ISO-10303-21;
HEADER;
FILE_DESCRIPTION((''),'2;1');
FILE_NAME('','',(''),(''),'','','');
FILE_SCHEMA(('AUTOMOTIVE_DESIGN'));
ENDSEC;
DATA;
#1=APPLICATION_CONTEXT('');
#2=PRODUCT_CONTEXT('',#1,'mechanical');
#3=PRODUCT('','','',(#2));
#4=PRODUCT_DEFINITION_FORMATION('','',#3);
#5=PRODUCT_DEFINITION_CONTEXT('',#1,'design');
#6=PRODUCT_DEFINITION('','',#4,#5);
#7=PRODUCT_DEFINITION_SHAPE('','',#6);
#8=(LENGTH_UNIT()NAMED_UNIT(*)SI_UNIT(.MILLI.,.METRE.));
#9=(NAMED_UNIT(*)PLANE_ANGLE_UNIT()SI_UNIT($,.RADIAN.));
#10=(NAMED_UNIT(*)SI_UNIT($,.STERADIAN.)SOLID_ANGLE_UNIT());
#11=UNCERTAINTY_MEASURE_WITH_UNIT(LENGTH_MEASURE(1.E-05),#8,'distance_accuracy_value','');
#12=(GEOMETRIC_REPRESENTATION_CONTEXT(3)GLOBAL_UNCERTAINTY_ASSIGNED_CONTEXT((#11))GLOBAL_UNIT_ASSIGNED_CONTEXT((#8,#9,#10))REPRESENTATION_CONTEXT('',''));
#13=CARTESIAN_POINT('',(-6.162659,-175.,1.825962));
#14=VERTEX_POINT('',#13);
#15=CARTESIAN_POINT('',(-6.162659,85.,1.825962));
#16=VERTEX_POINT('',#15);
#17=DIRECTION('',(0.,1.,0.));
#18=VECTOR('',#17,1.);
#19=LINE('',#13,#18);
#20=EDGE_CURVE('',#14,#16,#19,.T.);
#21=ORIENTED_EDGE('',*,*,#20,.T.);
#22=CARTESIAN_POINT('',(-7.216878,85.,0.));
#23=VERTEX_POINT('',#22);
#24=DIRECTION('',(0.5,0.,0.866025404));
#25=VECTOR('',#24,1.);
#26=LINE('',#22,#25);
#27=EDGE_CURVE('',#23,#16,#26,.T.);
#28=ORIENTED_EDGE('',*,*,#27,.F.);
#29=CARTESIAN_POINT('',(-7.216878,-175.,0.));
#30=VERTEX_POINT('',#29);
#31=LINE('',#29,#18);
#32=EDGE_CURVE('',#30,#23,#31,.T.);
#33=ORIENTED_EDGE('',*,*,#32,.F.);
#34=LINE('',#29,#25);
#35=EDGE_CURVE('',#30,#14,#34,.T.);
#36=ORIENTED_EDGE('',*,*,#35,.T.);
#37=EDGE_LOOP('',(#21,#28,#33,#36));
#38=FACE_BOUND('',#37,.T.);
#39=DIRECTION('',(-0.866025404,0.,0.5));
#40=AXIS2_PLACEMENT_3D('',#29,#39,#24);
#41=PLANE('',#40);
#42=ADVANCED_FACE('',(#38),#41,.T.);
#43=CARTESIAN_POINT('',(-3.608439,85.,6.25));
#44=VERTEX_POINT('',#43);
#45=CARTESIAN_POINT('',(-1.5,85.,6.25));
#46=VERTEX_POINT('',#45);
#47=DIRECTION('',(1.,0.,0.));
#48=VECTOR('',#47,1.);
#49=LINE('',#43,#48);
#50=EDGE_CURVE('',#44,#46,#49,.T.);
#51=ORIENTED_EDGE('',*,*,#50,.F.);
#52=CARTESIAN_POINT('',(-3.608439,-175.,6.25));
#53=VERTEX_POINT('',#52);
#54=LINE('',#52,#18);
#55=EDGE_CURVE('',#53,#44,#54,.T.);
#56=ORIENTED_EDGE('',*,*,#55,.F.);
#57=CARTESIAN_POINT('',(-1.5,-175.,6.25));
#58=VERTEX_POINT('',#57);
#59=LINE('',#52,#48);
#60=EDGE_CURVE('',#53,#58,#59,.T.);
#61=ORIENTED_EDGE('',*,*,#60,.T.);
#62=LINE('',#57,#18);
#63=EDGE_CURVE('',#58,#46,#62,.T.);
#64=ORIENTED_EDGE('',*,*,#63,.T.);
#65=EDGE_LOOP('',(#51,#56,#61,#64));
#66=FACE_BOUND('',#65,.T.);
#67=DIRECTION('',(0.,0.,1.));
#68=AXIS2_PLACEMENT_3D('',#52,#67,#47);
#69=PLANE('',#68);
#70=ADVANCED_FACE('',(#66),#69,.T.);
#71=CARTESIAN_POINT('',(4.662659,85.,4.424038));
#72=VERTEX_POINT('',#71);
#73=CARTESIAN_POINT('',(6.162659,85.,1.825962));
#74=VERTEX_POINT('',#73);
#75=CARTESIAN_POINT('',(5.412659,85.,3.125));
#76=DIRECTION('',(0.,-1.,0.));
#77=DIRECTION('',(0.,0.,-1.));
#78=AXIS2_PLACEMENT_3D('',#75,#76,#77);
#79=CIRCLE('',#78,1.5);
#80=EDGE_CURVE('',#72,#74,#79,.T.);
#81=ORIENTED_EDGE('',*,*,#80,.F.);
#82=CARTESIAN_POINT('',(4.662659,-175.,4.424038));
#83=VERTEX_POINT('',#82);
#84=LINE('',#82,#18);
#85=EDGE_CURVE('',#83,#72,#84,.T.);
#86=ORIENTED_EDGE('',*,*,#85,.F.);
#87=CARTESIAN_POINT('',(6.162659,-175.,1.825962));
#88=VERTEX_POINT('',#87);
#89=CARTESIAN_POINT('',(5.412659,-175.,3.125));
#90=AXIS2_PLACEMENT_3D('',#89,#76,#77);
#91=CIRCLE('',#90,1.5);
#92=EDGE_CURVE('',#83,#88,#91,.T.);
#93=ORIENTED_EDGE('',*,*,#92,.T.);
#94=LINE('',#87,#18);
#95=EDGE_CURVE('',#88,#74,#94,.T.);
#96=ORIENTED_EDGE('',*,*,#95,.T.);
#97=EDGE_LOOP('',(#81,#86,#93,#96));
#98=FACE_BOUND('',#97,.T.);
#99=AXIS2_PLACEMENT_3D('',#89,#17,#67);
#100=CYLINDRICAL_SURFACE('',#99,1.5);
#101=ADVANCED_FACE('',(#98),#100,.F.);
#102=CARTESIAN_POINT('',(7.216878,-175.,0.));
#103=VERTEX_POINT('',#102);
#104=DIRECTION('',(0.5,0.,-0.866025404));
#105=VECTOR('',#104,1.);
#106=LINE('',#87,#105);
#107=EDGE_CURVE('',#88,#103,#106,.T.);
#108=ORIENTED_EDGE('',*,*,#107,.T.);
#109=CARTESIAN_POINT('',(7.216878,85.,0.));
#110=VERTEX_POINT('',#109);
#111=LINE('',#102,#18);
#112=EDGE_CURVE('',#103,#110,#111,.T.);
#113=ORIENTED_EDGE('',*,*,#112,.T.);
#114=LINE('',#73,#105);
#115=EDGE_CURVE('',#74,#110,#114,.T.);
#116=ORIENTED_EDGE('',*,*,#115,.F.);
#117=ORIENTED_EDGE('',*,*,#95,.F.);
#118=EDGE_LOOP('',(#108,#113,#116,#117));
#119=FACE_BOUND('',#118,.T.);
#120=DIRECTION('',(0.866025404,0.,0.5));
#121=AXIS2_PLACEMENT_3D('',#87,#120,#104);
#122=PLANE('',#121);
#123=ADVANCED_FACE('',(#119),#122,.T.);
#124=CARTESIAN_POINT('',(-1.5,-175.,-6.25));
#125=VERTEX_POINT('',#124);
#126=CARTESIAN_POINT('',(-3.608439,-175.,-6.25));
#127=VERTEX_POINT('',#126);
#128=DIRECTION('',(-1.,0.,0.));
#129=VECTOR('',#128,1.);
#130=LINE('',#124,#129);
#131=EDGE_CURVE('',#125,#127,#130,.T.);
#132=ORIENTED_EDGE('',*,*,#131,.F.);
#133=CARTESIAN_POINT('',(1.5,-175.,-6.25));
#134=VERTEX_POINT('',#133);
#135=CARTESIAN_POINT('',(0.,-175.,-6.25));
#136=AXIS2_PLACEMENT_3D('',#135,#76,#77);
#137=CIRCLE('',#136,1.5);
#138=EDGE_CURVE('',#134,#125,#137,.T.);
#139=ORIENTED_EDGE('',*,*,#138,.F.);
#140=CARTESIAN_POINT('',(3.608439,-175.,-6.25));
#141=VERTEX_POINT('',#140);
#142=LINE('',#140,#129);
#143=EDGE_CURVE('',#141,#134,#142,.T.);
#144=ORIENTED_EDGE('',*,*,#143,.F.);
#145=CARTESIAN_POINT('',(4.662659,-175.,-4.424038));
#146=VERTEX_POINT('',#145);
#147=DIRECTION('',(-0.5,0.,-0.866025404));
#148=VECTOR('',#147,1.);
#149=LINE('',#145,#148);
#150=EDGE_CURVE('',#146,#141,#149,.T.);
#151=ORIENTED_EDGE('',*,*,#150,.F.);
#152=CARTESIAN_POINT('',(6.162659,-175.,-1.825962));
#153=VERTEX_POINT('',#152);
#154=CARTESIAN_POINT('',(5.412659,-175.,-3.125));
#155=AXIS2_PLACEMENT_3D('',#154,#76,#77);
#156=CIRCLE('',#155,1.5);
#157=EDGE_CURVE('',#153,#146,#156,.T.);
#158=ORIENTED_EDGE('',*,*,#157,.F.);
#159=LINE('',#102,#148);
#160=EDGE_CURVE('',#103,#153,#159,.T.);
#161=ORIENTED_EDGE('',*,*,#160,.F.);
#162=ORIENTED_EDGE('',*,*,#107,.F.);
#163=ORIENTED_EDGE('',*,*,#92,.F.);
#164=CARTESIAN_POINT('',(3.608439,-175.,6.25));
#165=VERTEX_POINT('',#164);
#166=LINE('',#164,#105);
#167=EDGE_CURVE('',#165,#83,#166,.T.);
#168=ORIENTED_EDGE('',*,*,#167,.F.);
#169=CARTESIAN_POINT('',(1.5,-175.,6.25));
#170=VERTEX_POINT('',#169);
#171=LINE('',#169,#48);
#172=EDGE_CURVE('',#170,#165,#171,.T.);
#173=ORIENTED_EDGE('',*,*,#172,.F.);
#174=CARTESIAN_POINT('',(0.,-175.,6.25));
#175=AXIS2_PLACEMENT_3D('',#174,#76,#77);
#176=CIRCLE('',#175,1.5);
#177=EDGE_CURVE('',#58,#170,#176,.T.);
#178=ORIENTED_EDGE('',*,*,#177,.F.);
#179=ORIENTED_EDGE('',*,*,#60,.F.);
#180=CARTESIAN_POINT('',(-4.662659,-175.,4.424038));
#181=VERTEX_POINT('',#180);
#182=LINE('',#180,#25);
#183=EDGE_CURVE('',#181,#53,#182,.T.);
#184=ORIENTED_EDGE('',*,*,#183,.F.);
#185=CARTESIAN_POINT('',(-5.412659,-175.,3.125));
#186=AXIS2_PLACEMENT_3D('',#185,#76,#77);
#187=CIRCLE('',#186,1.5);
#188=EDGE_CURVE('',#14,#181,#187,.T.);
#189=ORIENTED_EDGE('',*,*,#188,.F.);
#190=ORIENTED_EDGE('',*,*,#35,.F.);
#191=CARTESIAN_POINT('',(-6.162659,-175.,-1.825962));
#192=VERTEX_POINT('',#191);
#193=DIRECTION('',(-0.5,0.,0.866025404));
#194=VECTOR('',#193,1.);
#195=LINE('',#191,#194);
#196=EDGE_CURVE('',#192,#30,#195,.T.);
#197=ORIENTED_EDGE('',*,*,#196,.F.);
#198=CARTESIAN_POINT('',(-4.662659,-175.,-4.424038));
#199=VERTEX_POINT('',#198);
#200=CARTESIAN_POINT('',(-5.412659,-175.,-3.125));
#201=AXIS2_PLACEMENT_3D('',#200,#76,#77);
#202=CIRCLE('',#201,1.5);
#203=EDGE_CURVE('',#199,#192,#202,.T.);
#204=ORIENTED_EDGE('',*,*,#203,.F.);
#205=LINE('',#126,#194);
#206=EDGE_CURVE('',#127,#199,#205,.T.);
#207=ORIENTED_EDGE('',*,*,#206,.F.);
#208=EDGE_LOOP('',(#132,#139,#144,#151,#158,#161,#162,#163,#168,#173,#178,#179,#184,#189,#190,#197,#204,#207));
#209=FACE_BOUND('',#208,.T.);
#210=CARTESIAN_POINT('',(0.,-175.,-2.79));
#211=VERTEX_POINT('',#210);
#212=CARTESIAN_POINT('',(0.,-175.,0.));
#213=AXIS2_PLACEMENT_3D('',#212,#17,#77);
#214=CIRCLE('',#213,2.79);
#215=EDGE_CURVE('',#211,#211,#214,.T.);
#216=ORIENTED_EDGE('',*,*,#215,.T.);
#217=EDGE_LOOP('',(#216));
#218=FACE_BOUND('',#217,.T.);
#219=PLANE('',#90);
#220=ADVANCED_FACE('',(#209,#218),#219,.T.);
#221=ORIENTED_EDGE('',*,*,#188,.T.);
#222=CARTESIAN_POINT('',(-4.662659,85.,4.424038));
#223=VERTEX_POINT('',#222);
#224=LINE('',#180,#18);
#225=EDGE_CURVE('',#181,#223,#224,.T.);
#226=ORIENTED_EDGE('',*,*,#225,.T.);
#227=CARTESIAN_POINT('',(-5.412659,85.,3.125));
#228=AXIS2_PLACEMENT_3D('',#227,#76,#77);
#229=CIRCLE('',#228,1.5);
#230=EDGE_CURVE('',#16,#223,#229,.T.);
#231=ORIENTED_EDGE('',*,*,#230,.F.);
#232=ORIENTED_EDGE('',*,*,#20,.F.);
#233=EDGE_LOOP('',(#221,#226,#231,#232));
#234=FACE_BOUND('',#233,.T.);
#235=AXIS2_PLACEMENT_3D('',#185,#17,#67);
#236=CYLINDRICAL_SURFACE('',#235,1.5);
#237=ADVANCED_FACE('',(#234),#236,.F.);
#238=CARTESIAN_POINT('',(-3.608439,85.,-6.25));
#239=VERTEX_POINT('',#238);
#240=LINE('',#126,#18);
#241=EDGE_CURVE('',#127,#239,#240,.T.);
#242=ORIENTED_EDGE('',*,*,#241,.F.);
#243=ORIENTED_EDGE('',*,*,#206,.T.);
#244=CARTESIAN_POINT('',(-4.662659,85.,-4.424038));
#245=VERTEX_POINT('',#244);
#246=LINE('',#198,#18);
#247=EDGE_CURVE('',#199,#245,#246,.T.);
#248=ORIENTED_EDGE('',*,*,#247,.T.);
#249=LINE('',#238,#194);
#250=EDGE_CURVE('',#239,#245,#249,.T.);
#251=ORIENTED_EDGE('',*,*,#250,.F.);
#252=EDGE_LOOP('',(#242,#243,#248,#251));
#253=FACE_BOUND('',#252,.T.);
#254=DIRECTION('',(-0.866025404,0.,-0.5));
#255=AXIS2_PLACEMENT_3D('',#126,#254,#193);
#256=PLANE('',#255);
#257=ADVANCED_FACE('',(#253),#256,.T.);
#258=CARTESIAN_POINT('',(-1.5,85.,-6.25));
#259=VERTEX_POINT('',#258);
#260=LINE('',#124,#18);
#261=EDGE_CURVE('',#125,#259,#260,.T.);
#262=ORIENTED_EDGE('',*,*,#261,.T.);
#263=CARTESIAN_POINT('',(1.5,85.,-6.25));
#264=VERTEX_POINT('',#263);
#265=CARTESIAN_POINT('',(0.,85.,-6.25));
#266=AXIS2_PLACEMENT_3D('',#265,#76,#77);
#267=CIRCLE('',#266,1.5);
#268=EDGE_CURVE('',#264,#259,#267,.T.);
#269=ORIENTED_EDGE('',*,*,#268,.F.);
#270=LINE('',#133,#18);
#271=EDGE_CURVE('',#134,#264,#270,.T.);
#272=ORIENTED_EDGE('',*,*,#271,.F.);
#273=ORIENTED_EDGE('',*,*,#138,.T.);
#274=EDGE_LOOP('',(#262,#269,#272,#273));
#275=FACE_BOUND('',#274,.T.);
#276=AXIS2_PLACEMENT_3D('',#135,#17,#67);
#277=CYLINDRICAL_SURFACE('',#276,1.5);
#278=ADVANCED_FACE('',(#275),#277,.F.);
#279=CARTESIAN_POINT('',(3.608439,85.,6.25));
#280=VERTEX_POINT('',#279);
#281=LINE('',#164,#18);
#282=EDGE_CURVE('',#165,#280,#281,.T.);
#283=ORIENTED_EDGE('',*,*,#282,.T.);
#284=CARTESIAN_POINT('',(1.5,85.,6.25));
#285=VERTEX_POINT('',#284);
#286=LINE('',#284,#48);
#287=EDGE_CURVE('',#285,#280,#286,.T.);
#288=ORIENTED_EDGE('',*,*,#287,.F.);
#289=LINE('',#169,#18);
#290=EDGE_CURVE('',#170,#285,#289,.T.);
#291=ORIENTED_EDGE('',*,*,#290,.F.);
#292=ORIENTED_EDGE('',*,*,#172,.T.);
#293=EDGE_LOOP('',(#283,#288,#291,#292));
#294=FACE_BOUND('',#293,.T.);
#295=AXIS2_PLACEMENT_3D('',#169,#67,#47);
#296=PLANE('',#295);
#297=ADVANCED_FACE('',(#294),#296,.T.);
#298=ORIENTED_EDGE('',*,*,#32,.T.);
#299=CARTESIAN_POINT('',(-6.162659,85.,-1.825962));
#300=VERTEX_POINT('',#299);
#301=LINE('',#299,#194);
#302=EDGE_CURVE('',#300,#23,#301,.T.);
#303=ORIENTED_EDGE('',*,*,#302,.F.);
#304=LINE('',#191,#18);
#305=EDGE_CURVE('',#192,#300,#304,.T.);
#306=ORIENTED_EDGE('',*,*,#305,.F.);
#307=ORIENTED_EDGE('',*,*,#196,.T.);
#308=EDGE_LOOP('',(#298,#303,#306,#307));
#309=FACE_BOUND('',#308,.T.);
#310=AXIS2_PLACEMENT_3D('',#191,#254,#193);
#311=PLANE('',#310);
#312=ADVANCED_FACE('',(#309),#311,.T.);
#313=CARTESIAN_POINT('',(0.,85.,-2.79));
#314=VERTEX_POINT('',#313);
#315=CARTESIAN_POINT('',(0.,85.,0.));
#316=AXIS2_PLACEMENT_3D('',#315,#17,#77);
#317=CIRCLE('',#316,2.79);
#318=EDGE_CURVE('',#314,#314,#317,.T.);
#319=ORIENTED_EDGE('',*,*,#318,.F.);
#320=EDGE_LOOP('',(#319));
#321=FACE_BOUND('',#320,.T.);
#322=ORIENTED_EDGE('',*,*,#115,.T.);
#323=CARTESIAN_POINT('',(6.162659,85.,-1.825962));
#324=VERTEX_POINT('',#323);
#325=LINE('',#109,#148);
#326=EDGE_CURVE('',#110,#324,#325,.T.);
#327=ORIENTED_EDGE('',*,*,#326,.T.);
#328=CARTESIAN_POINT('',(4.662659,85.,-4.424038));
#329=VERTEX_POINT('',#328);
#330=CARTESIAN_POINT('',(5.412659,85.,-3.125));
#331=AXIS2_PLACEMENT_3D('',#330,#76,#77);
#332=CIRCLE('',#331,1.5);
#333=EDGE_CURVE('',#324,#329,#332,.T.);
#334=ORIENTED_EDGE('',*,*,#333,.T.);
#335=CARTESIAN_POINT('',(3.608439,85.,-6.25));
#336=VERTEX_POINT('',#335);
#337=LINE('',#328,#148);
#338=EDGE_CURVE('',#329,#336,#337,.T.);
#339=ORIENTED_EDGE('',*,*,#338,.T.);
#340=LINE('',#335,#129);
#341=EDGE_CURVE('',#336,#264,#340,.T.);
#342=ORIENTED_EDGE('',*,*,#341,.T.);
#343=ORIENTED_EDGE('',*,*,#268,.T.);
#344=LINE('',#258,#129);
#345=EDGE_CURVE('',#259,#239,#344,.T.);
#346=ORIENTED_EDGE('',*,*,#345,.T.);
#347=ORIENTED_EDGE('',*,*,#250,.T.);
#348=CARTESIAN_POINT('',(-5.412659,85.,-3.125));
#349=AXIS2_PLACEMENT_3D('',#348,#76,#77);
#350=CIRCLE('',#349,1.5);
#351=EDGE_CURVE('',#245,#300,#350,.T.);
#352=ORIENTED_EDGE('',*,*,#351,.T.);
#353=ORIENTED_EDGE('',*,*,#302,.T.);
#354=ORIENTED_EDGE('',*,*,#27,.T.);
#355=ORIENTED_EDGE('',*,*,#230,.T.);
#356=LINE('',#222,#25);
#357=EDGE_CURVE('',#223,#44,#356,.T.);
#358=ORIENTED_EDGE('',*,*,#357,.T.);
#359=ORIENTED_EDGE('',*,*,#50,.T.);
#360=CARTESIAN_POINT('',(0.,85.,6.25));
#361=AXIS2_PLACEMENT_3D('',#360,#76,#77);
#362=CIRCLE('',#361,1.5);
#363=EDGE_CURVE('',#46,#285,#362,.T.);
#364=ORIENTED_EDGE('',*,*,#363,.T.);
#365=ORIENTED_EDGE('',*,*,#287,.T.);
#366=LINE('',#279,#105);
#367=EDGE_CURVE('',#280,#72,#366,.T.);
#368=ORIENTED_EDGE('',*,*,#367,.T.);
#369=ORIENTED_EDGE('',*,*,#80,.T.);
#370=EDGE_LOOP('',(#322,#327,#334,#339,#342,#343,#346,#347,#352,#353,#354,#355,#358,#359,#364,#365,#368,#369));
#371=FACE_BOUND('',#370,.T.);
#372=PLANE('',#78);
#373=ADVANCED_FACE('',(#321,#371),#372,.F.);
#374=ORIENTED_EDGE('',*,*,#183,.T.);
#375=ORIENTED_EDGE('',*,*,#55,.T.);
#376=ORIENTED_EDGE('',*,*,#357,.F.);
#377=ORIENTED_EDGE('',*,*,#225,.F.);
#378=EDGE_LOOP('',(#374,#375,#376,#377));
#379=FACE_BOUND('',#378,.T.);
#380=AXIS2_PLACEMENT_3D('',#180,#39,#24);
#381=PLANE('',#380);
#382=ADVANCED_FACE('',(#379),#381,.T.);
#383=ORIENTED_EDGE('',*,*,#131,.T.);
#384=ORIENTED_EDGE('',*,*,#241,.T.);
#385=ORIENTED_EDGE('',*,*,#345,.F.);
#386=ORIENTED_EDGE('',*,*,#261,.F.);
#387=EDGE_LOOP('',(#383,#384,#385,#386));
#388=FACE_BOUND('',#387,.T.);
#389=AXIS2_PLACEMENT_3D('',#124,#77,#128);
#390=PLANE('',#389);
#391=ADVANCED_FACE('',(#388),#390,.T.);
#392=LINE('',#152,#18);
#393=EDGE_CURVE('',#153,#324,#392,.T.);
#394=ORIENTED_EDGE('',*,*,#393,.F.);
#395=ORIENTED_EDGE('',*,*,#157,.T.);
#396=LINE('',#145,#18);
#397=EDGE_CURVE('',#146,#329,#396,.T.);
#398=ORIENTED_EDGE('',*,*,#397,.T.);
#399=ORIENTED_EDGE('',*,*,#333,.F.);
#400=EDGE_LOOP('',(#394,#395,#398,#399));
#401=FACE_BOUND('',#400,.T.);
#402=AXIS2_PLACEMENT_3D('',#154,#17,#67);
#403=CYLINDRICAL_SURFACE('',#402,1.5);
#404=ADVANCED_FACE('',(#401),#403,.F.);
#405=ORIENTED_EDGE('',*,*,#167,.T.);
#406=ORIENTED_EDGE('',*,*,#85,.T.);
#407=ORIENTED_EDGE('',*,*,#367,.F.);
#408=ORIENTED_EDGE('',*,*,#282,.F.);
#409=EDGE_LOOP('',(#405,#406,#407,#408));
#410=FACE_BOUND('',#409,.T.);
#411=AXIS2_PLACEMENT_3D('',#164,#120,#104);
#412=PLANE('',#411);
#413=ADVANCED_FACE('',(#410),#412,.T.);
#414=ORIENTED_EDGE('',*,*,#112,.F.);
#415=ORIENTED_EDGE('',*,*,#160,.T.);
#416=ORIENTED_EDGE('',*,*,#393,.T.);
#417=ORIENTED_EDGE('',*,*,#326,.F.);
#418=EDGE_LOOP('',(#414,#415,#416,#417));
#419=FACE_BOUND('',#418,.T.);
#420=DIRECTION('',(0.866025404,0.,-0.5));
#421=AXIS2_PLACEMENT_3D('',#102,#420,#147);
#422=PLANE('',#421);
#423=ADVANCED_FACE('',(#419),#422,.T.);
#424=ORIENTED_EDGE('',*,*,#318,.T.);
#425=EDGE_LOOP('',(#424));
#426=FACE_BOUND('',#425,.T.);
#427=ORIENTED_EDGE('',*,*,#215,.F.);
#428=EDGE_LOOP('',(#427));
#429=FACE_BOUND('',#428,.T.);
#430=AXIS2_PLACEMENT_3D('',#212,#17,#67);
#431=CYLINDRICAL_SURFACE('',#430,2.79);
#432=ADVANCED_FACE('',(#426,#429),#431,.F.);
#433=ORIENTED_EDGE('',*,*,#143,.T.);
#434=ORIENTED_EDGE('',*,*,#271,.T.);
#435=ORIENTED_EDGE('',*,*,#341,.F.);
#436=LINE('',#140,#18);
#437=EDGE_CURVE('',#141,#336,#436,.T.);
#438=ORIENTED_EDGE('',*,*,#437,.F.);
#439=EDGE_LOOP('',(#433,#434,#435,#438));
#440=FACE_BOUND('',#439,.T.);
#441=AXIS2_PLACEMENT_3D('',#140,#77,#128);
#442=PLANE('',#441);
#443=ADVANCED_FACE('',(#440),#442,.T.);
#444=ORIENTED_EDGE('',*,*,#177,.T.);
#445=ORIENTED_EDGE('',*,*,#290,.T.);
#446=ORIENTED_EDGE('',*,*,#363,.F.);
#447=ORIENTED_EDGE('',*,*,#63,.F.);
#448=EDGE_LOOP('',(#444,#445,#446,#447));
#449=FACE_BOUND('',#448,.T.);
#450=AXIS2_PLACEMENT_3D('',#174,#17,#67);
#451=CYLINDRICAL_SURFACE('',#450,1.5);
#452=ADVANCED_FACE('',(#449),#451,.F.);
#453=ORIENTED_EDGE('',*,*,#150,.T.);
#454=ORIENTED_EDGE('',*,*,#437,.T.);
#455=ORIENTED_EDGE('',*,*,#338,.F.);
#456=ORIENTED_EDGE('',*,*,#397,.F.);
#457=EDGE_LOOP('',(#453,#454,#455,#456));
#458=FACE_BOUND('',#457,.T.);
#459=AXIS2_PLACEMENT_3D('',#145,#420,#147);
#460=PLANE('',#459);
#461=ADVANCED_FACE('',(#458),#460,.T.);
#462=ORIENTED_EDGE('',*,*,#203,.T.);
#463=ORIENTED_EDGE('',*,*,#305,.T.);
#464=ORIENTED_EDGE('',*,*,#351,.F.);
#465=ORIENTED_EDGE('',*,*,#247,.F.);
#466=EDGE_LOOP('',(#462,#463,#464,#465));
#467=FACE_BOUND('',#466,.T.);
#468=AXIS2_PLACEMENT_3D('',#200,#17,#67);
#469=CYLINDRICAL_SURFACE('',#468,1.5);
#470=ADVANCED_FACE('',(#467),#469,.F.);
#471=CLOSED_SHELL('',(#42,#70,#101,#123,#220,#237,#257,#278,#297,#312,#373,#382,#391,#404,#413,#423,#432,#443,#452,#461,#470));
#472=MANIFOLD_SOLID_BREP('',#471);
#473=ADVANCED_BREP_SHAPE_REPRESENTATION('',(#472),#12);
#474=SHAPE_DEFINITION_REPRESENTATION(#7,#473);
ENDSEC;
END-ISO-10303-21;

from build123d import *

# Parameters (mm, degrees)
ESBO_O1_R                = 2.79
RESSALTO_EXTRUS_O1_DEPTH = 260


with BuildPart() as part:
    # Esboço1 → Ressalto-extrusão1 (new body)
    with BuildSketch(Plane(origin=(0, 85, 0), x_dir=(1, 0, 0), z_dir=(0, 1, 0))):
        with BuildLine():
            Line((6.162658774, -1.825961894), (7.216878365, 0))
            Line((7.216878365, 0), (6.162658774, 1.825961894))
            ThreePointArc((6.162658774, 1.825961894), (4.113620668, 2.375), (4.662658774, 4.424038106))
            Line((4.662658774, 4.424038106), (3.608439182, 6.25))
            Line((3.608439182, 6.25), (1.5, 6.25))
            ThreePointArc((1.5, 6.25), (0, 4.75), (-1.5, 6.25))
            Line((-1.5, 6.25), (-3.608439182, 6.25))
            Line((-3.608439182, 6.25), (-4.662658774, 4.424038106))
            ThreePointArc((-4.662658774, 4.424038106), (-4.113620668, 2.375), (-6.162658774, 1.825961894))
            Line((-6.162658774, 1.825961894), (-7.216878365, 0))
            Line((-7.216878365, 0), (-6.162658774, -1.825961894))
            ThreePointArc((-6.162658774, -1.825961894), (-4.113620668, -2.375), (-4.662658774, -4.424038106))
            Line((-4.662658774, -4.424038106), (-3.608439182, -6.25))
            Line((-3.608439182, -6.25), (-1.5, -6.25))
            ThreePointArc((-1.5, -6.25), (0, -4.75), (1.5, -6.25))
            Line((1.5, -6.25), (3.608439182, -6.25))
            Line((3.608439182, -6.25), (4.662658774, -4.424038106))
            ThreePointArc((4.662658774, -4.424038106), (4.113620668, -2.375), (6.162658774, -1.825961894))
        make_face()
        Circle(ESBO_O1_R, mode=Mode.SUBTRACT)
    extrude(amount=-RESSALTO_EXTRUS_O1_DEPTH)


solid = part.part
